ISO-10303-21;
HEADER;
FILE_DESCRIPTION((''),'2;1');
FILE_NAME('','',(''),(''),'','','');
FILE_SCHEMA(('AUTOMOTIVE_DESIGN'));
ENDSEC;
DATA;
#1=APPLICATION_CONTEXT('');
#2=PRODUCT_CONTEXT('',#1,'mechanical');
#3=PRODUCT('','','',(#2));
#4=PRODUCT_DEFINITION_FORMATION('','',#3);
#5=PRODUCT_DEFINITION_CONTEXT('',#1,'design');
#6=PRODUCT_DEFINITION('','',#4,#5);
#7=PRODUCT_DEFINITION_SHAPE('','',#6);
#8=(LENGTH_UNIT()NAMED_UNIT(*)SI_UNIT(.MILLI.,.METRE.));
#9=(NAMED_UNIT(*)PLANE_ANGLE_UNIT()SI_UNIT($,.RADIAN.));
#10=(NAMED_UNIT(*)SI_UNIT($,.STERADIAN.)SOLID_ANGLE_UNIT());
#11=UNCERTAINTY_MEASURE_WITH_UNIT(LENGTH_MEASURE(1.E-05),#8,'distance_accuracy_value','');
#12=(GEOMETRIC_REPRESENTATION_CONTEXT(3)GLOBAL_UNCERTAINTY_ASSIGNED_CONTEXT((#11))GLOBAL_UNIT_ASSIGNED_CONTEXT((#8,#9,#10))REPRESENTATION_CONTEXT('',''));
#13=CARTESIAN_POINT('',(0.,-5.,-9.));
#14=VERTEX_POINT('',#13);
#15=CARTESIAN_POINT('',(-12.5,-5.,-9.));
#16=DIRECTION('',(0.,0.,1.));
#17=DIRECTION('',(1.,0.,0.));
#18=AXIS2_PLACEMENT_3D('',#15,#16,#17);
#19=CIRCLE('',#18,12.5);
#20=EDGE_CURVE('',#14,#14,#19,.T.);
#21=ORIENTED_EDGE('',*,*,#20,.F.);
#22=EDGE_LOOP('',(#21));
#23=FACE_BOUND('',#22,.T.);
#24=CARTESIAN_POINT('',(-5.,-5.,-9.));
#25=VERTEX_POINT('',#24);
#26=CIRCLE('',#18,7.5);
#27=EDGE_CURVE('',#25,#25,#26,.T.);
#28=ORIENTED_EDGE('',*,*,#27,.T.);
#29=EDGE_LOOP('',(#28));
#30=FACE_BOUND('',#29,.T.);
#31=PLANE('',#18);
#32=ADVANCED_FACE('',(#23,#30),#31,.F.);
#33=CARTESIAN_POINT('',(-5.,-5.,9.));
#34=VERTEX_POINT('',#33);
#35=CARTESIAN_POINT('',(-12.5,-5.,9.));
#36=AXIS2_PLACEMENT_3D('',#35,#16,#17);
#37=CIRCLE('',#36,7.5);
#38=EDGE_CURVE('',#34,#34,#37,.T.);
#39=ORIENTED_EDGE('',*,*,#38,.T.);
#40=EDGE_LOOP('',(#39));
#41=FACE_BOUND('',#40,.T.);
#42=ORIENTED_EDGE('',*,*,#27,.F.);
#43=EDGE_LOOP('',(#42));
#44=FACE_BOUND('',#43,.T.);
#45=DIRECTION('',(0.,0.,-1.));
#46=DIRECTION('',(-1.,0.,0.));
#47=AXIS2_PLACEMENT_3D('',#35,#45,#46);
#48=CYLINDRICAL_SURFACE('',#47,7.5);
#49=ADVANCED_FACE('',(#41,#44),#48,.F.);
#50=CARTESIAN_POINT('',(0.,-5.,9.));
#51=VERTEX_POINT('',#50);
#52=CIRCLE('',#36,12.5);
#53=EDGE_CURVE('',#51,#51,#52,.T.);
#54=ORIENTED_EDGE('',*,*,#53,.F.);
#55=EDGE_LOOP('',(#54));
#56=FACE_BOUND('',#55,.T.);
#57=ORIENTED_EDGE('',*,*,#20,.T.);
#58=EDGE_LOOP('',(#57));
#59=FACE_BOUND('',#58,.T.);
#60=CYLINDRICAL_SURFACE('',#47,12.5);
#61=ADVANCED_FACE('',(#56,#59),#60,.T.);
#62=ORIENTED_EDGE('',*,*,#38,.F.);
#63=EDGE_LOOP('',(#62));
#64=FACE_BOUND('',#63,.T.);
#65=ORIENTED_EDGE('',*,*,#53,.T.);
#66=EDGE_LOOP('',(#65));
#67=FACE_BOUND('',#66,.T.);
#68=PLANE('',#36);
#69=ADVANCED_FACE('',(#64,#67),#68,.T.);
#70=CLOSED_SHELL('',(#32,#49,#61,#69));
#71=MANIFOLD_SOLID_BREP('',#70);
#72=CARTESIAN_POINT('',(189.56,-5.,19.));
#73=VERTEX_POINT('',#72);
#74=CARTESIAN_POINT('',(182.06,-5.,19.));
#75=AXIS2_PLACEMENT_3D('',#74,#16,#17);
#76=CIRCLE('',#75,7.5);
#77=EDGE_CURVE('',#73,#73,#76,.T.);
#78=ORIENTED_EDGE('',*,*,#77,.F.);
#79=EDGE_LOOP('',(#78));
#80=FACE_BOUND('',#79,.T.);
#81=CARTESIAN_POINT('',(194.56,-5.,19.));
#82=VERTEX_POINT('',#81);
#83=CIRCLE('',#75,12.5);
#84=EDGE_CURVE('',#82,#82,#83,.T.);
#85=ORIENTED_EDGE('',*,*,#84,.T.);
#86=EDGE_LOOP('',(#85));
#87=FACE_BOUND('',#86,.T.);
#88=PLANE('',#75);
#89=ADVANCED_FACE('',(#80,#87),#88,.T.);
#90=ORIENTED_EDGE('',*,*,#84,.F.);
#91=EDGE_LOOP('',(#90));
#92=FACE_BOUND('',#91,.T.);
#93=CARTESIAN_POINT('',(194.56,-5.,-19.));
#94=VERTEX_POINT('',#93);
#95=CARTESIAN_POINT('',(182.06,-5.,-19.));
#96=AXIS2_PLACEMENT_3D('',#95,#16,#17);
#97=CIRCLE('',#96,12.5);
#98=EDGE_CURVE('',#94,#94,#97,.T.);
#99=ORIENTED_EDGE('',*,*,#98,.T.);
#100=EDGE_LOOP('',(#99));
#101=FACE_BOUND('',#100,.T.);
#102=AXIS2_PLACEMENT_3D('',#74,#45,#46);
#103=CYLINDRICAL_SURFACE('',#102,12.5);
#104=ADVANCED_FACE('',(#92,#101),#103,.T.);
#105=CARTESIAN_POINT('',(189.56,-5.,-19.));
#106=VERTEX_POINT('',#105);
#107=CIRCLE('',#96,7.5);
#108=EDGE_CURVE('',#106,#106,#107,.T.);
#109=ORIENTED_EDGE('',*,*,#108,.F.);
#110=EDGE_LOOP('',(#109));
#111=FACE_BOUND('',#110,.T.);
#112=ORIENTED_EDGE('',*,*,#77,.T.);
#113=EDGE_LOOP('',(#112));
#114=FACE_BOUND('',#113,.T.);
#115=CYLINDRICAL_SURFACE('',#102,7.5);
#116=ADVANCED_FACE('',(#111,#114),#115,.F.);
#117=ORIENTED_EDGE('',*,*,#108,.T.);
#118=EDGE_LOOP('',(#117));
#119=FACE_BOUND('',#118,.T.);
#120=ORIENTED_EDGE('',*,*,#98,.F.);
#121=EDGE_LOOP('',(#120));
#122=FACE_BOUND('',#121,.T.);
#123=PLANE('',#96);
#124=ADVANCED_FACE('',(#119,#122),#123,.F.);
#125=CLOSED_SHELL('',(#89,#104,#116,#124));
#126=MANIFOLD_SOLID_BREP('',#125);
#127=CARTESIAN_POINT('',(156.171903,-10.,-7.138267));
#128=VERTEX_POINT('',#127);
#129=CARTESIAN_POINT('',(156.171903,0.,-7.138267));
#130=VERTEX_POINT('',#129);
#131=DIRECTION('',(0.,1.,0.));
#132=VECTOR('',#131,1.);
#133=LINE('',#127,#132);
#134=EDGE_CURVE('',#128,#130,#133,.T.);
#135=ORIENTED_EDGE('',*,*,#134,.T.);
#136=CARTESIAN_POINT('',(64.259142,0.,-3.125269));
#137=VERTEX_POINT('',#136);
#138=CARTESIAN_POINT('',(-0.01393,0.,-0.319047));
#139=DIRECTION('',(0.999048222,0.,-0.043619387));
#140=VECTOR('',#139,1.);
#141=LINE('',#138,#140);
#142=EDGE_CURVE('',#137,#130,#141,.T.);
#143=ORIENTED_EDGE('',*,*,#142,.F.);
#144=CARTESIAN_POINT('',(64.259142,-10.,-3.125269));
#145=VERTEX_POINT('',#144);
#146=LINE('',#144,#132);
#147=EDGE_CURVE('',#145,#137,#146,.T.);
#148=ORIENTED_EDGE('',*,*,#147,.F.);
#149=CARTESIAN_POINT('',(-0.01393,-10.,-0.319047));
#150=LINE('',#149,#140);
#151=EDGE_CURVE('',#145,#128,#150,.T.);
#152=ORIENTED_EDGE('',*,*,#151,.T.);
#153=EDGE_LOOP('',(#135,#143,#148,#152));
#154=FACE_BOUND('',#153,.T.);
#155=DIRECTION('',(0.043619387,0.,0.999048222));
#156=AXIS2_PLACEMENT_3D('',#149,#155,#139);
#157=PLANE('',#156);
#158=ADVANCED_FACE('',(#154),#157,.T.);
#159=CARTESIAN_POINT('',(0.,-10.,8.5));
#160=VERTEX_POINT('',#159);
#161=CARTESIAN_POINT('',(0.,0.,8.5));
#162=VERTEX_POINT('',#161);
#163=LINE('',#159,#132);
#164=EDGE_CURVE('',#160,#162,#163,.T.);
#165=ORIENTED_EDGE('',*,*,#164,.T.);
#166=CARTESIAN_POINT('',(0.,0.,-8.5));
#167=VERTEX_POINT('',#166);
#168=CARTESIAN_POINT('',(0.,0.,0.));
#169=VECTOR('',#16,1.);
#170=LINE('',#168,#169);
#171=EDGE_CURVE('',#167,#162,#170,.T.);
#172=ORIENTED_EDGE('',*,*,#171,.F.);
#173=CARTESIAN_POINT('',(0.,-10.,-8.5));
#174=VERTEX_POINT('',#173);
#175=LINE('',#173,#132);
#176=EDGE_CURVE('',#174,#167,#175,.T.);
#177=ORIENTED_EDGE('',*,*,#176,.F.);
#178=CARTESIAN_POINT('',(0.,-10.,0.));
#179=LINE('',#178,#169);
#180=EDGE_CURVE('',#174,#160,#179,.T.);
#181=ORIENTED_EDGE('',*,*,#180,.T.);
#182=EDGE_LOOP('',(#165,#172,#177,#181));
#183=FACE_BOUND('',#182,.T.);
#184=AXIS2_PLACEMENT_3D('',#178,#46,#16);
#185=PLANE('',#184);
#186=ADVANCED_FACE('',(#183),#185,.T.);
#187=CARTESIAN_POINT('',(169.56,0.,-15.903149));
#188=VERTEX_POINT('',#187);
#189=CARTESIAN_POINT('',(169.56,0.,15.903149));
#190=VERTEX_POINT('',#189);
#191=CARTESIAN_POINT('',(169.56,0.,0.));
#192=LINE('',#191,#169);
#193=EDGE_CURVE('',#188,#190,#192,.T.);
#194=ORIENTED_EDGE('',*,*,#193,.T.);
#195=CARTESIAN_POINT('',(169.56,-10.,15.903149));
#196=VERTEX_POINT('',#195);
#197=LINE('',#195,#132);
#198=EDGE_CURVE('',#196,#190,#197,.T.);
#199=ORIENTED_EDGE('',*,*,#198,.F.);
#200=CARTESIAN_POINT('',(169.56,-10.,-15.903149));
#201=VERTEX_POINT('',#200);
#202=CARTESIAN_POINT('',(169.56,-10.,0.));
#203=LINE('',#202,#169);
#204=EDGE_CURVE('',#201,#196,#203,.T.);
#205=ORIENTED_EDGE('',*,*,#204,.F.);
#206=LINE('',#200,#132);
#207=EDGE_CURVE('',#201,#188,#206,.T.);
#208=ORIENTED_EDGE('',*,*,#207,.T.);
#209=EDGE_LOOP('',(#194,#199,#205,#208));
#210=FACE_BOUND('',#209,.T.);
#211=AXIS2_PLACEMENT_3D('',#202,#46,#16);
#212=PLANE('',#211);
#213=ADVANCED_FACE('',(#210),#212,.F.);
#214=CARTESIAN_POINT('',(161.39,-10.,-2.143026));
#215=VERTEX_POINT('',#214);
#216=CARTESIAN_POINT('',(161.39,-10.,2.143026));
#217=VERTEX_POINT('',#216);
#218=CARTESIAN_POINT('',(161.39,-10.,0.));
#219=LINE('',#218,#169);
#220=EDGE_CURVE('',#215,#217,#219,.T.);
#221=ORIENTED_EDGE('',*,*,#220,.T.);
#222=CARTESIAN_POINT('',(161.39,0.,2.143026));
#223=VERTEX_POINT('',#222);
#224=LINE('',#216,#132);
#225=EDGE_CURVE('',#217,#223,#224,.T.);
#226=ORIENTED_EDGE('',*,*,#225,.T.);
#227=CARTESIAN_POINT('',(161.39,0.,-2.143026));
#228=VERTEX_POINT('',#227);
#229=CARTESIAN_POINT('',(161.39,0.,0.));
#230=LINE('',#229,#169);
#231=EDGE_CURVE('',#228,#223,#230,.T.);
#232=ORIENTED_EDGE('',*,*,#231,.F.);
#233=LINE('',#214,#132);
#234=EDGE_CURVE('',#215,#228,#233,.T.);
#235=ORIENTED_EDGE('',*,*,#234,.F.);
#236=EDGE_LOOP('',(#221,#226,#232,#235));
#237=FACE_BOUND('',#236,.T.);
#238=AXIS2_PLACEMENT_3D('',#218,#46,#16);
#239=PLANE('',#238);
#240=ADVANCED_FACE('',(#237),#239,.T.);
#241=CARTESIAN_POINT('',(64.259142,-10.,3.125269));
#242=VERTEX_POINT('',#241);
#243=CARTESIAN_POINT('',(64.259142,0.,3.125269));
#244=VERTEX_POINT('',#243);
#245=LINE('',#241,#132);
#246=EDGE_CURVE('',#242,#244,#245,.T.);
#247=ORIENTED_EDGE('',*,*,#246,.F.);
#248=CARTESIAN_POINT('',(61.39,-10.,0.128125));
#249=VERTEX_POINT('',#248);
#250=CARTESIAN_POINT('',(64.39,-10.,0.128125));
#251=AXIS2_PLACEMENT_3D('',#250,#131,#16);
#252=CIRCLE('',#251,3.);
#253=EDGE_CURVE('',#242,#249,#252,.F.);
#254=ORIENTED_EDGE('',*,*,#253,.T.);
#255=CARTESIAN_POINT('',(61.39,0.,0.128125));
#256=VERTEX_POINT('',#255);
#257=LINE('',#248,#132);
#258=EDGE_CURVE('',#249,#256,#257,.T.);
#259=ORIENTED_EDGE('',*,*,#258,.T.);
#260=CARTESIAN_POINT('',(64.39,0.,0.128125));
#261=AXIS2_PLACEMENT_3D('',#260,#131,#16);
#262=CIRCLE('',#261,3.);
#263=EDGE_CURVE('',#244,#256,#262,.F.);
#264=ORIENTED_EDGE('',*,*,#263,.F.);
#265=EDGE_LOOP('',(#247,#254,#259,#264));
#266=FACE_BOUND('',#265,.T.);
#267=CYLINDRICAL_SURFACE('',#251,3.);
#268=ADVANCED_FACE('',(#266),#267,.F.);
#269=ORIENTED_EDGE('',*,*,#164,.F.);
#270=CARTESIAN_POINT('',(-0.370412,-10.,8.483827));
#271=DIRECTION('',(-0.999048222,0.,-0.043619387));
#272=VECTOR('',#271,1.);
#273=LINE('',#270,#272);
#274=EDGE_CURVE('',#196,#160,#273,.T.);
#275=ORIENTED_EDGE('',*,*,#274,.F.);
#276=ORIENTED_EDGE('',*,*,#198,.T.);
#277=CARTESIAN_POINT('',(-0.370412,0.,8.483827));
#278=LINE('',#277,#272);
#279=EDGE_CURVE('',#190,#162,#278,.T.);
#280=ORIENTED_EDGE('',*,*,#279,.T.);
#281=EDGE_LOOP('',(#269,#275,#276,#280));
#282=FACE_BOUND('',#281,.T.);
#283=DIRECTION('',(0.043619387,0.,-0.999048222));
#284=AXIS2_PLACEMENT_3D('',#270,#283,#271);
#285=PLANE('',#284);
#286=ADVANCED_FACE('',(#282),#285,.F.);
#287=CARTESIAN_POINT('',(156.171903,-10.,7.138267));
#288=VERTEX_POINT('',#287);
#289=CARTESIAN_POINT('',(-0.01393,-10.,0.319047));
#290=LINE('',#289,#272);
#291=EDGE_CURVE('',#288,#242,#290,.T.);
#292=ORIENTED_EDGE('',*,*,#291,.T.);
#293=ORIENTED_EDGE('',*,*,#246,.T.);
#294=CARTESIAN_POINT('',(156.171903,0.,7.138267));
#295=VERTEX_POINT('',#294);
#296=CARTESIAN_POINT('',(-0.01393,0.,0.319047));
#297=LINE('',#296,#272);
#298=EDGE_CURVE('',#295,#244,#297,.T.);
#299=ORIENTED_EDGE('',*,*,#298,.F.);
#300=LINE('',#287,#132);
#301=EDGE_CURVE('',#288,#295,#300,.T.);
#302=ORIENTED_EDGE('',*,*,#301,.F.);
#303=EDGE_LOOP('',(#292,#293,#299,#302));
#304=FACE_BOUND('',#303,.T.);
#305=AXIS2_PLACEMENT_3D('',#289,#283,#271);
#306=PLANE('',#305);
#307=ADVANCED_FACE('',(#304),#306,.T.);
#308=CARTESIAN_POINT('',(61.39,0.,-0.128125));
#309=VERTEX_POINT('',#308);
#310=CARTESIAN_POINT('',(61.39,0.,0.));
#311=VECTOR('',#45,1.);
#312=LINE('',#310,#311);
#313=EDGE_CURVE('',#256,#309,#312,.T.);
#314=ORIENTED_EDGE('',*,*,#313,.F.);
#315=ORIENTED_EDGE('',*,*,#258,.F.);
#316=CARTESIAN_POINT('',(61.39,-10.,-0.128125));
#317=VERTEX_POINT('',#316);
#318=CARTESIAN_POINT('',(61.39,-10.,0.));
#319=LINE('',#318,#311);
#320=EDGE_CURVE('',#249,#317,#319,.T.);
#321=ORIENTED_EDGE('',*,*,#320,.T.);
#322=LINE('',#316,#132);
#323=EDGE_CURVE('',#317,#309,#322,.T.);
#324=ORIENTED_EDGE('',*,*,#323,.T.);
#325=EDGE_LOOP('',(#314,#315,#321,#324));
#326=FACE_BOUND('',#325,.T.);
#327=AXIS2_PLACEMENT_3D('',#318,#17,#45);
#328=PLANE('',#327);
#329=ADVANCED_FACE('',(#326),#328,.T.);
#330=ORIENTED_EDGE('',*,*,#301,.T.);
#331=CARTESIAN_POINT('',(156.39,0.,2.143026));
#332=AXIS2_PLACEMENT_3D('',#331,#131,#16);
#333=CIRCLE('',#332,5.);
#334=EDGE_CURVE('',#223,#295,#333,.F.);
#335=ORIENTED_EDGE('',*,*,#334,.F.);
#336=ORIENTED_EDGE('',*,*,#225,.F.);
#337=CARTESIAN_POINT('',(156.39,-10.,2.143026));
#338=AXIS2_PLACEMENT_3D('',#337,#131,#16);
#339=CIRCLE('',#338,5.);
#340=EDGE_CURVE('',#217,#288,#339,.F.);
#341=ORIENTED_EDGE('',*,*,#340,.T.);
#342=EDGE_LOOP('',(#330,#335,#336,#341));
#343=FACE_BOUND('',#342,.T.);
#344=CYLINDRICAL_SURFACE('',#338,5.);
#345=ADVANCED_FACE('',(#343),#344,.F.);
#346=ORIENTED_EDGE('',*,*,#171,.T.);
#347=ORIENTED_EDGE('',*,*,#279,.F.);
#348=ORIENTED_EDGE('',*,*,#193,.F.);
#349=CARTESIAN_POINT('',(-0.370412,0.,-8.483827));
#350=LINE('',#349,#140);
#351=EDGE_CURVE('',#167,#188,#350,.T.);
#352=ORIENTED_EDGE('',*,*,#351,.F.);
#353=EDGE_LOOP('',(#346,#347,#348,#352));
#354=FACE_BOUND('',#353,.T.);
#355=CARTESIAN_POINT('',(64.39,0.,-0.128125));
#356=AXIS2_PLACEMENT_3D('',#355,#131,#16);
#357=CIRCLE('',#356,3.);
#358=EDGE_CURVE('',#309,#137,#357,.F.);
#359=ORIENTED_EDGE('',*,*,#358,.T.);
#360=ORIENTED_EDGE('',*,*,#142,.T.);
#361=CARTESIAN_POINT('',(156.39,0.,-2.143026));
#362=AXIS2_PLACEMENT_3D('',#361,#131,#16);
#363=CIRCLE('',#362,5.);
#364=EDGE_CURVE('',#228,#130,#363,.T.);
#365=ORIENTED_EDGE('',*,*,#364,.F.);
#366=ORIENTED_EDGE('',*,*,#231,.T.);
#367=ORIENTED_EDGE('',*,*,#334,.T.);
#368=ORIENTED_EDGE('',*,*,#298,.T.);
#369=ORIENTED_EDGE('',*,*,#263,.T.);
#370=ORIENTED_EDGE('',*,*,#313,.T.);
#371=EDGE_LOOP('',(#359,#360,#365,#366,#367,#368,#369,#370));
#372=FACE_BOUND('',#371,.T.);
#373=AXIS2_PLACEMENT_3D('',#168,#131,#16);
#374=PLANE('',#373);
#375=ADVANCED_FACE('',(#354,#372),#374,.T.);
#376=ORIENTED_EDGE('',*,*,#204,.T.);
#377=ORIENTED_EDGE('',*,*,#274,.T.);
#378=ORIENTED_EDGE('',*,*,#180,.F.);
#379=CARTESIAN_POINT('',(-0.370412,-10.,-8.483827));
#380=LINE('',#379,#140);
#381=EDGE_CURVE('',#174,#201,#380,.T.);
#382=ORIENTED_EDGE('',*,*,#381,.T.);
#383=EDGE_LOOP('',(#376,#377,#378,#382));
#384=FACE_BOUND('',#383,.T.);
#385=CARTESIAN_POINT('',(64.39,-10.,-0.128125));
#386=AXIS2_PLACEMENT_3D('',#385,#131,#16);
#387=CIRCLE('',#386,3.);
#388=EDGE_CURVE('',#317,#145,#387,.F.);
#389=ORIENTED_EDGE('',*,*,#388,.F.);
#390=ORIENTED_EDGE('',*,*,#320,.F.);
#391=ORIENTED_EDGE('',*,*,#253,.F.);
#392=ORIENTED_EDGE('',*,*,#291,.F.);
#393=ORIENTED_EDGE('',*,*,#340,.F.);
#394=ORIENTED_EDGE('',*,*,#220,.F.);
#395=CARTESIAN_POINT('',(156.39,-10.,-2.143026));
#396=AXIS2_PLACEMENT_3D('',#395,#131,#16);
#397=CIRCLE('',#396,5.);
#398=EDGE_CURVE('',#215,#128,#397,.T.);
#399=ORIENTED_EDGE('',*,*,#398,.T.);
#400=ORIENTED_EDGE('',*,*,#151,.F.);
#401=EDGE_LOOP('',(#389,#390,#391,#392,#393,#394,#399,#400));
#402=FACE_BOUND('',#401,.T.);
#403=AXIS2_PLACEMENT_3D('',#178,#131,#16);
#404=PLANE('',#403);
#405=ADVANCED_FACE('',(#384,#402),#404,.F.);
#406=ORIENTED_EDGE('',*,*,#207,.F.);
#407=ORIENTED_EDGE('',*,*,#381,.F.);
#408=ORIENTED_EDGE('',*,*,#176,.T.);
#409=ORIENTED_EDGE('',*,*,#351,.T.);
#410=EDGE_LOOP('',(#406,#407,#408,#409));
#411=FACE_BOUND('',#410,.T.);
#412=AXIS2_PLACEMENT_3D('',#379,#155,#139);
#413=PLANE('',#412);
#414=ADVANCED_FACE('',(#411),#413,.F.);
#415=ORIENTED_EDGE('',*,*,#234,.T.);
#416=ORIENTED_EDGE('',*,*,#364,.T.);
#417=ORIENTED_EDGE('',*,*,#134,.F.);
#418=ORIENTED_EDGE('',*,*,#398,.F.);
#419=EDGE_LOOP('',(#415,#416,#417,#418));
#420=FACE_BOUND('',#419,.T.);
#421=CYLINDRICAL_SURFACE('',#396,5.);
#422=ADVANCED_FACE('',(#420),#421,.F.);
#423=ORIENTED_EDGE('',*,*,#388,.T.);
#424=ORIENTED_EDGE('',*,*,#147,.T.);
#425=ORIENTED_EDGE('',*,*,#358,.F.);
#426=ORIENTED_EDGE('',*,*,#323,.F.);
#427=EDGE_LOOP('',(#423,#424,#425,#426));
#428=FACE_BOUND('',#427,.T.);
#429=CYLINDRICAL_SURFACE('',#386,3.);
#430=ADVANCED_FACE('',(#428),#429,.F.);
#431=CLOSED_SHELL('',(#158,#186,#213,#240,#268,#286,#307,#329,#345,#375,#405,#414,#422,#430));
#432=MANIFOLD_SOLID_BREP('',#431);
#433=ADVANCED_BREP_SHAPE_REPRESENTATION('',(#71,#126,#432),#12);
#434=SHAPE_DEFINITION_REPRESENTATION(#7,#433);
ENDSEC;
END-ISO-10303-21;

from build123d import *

# Parameters (mm, degrees)
BOSS_EXTRUDE1_DEPTH = 10
SKETCH3_R           = 12.5
SKETCH3_R_2         = 7.5
BOSS_EXTRUDE2_DEPTH = 9
SKETCH4_R           = 12.5
SKETCH4_R_2         = 7.5
BOSS_EXTRUDE3_DEPTH = 19


with BuildPart() as part:
    # Sketch2 → Boss-Extrude1 (new body)
    with BuildSketch(Plane(origin=(0, 0, 0), x_dir=(1, 0, 0), z_dir=(0, 1, 0))):
        Polygon((0, 8.5), (169.56, 15.90314948), (169.56, -15.90314948), (0, -8.5), align=None)
        with BuildLine():
            Line((61.39, 0), (61.39, 0.128124773))
            ThreePointArc((61.39, 0.128124773), (62.222908114, 2.202663941), (64.259141838, 3.125269438))
            Line((64.259141838, 3.125269438), (156.171903063, 7.138267258))
            ThreePointArc((156.171903063, 7.138267258), (159.847565279, 5.754845961), (161.39, 2.14302615))
            Line((161.39, 2.14302615), (161.39, -2.14302615))
            ThreePointArc((161.39, -2.14302615), (159.847565279, -5.754845961), (156.171903063, -7.138267258))
            Line((156.171903063, -7.138267258), (64.259141838, -3.125269438))
            ThreePointArc((64.259141838, -3.125269438), (62.222908114, -2.202663941), (61.39, -0.128124773))
            Line((61.39, -0.128124773), (61.39, 0))
        make_face(mode=Mode.SUBTRACT)
    extrude(amount=-BOSS_EXTRUDE1_DEPTH)


with BuildPart() as body_2:
    # Sketch3 → Boss-Extrude2 (new, symmetric)
    with BuildSketch(Plane.XY):
        with Locations((-12.5, -5)):
            Circle(SKETCH3_R)
        with Locations((-12.5, -5)):
            Circle(SKETCH3_R_2, mode=Mode.SUBTRACT)
    extrude(amount=BOSS_EXTRUDE2_DEPTH, both=True)


with BuildPart() as body_3:
    # Sketch4 → Boss-Extrude3 (new, symmetric)
    with BuildSketch(Plane.XY):
        with Locations((182.06, -5)):
            Circle(SKETCH4_R)
        with Locations((182.06, -5)):
            Circle(SKETCH4_R_2, mode=Mode.SUBTRACT)
    extrude(amount=BOSS_EXTRUDE3_DEPTH, both=True)


solid = Compound([part.part, body_2.part, body_3.part])
